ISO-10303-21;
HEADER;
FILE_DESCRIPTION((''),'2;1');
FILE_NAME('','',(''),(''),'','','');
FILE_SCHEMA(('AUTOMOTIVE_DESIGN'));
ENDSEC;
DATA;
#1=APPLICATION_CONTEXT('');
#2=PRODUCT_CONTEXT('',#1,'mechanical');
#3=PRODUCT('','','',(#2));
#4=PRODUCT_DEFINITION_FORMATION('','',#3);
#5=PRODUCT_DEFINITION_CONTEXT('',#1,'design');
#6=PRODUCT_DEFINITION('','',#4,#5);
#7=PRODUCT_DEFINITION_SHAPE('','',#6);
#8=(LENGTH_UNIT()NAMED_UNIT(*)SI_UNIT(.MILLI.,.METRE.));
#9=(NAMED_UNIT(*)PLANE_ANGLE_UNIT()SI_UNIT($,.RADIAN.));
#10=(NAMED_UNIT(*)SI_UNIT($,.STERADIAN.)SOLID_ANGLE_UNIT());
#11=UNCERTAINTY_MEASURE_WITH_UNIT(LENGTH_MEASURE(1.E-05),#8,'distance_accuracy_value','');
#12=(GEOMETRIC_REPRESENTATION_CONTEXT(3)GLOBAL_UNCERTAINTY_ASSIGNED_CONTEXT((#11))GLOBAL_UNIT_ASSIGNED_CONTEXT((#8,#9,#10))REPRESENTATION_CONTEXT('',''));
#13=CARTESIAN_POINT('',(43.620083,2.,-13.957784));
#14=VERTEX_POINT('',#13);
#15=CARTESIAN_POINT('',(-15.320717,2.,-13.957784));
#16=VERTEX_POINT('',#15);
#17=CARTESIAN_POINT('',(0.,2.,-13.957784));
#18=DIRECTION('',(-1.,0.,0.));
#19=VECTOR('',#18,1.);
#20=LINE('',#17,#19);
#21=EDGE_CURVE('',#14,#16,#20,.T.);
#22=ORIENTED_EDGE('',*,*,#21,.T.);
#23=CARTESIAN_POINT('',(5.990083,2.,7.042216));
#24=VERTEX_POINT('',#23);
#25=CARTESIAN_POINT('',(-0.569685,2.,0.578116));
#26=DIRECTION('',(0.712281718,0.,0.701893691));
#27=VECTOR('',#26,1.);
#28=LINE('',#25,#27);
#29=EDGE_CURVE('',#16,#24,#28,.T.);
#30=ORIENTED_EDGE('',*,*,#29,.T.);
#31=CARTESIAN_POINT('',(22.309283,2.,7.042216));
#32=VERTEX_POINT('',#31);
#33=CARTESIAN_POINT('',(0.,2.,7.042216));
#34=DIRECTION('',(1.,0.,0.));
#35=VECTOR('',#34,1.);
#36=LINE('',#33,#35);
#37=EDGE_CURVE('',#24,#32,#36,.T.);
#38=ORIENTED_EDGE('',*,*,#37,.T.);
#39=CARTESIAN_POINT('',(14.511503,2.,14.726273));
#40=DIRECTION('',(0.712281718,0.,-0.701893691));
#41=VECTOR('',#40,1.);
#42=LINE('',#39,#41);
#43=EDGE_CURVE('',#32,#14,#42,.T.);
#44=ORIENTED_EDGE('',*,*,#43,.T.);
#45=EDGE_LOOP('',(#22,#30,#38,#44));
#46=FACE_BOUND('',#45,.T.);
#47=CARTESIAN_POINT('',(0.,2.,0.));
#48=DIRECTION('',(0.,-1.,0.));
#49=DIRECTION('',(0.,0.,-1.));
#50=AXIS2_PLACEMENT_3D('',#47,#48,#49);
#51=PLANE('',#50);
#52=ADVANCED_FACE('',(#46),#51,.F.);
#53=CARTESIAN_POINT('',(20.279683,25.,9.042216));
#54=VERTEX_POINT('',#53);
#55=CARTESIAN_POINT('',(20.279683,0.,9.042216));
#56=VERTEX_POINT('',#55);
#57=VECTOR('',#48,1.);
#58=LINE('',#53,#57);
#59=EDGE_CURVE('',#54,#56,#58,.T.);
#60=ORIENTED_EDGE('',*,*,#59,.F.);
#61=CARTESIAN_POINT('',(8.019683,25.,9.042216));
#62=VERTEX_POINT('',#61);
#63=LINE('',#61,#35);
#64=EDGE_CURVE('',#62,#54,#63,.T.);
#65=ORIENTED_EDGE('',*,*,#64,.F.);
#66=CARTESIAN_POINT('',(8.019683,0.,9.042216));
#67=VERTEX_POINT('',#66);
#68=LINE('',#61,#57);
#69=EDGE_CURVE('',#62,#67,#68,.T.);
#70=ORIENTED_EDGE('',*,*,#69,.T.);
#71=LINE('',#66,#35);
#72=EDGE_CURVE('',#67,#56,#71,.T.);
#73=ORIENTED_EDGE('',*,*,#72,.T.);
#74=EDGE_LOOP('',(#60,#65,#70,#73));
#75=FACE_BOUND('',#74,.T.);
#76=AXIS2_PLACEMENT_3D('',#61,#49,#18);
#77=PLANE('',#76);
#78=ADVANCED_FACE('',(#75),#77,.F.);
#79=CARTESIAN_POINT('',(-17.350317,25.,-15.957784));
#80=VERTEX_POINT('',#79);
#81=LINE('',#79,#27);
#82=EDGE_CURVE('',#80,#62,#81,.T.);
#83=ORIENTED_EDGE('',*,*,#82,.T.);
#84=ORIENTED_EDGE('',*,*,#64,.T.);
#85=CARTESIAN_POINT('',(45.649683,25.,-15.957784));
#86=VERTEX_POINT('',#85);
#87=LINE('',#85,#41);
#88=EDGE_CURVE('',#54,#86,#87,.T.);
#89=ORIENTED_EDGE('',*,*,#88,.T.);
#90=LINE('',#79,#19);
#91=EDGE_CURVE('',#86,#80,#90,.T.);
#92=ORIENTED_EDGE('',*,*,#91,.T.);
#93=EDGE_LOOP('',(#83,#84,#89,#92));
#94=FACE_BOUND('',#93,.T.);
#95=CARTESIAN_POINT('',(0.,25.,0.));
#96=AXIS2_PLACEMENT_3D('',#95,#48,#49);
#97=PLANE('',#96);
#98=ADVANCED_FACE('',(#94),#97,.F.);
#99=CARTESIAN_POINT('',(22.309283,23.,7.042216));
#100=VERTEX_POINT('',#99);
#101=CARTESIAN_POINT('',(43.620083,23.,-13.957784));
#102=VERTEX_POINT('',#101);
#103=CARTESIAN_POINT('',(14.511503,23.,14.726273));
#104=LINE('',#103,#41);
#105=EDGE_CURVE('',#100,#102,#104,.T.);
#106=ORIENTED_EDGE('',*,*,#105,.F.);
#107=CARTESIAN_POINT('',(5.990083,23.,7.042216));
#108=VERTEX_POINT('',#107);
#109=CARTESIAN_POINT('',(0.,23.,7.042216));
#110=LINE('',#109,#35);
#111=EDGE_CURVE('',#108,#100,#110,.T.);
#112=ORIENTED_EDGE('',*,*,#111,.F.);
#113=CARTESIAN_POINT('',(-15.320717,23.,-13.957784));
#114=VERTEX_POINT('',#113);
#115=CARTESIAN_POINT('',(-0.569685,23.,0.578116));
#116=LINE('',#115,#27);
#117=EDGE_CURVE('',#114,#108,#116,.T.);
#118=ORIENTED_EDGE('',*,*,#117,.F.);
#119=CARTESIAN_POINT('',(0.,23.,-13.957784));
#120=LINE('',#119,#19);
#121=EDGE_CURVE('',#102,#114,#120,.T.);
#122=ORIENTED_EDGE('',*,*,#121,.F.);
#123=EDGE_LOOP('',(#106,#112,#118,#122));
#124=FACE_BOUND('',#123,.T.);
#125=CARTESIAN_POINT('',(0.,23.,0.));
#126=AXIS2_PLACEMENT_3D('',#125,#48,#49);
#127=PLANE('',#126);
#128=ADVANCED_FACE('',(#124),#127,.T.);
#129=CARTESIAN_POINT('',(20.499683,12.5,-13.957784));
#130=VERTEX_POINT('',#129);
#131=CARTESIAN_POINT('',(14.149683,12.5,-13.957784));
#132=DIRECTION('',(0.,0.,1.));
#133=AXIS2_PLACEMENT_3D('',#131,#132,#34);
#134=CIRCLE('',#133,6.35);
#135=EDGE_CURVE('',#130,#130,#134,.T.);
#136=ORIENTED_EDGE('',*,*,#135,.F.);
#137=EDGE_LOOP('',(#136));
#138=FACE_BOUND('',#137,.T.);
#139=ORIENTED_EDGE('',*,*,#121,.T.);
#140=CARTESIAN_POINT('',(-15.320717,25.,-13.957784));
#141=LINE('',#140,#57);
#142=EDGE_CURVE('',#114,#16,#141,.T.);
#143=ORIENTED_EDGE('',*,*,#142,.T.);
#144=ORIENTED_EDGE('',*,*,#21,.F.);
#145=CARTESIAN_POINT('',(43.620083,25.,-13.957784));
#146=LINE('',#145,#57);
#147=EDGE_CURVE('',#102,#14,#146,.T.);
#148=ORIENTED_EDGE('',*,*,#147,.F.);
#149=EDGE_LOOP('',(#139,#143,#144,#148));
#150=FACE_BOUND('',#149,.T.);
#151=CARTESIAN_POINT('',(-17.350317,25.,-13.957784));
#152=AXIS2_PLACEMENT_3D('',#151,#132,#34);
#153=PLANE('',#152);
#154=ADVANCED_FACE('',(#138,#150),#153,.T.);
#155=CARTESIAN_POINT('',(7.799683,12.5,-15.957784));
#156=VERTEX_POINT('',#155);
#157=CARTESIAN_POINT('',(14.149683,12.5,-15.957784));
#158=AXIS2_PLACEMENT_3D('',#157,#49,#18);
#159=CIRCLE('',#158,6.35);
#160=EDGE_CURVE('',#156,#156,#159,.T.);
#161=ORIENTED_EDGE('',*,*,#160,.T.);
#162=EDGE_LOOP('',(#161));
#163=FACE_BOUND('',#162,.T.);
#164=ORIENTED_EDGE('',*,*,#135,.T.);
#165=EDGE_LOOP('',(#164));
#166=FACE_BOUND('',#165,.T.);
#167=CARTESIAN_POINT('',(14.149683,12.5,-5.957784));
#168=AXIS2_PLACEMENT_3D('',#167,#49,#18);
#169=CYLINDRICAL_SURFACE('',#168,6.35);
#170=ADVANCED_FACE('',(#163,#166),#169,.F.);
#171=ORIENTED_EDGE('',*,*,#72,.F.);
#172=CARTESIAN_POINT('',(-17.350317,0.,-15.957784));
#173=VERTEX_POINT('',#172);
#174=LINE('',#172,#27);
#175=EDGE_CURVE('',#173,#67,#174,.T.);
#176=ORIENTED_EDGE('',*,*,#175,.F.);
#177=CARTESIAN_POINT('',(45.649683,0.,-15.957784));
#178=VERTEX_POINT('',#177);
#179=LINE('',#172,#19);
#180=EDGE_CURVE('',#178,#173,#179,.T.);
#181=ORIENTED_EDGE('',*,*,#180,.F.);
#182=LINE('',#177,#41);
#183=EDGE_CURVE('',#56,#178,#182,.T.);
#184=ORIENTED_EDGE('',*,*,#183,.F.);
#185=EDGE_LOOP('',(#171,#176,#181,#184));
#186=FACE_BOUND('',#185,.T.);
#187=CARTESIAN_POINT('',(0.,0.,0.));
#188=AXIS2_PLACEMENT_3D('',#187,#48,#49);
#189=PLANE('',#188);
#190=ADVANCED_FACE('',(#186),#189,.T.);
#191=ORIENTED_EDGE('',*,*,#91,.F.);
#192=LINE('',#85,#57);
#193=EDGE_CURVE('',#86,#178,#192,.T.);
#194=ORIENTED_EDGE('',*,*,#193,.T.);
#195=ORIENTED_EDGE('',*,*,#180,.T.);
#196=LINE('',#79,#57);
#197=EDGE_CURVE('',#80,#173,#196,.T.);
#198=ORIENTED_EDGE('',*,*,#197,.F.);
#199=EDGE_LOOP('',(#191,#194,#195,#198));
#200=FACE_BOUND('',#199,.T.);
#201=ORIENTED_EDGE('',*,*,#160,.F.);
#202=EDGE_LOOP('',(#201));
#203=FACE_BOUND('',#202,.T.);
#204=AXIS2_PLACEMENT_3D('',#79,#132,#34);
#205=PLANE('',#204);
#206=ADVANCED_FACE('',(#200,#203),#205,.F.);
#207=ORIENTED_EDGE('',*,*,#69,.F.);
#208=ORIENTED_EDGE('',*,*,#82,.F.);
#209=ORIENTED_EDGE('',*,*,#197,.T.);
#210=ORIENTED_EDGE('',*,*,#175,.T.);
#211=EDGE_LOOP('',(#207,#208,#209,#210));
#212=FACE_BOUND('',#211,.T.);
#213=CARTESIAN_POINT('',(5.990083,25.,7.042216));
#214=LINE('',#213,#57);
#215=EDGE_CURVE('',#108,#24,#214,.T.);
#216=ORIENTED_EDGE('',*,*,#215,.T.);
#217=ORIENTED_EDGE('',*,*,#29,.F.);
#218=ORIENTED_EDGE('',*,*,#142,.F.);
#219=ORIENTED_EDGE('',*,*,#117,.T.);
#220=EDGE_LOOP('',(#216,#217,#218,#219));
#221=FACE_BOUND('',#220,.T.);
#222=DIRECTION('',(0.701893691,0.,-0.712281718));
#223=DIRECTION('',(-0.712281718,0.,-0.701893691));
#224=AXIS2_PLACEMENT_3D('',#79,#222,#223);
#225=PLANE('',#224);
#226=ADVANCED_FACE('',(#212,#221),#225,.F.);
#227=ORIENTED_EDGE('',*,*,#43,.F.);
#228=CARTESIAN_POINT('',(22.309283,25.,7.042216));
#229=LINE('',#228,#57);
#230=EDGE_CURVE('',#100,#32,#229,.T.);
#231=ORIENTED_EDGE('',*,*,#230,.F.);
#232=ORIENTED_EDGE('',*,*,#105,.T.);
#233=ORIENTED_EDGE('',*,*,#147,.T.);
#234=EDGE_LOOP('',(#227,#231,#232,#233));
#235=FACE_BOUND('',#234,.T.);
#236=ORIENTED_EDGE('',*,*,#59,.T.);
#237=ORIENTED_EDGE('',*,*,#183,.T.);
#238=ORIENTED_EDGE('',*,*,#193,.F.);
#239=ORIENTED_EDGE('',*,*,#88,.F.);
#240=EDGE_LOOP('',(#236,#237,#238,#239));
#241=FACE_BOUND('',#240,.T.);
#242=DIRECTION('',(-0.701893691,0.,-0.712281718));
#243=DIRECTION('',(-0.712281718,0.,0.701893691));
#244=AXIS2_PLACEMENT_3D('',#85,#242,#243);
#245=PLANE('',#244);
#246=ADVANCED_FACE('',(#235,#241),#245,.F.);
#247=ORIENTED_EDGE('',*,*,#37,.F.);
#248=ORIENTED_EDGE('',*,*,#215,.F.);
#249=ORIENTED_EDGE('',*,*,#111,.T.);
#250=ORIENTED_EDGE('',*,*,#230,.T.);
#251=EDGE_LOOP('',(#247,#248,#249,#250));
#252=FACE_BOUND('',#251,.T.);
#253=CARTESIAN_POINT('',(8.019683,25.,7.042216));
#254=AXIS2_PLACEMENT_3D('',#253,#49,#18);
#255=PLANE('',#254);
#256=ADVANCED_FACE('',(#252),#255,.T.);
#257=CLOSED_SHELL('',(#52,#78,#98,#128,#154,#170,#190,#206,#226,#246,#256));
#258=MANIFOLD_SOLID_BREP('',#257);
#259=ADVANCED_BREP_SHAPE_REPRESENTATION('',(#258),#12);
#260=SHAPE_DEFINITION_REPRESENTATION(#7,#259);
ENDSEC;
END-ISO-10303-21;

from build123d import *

# Parameters (mm, degrees)
BOSS_EXTRUDE1_DEPTH = 25
SHELL1_T            = -2
SKETCH2_R           = 6.35
CUT_EXTRUDE1_DEPTH  = 10


with BuildPart() as part:
    # Sketch1 → Boss-Extrude1 (new body)
    with BuildSketch(Plane(origin=(0, 0, 0), x_dir=(1, 0, 0), z_dir=(0, 1, 0))):
        Polygon((-17.350316623, 15.957783641), (45.649683377, 15.957783641), (20.279683377, -9.042216359), (8.019683377, -9.042216359), align=None)
    extrude(amount=BOSS_EXTRUDE1_DEPTH)

    # Shell1
    shell1_openings = [part.faces().sort_by_distance(p)[0] for p in [
        (32.964683377, 12.5, -3.457783641),
        (-4.665316623, 12.5, -3.457783641),
    ]]
    offset(amount=SHELL1_T, openings=shell1_openings, kind=Kind.INTERSECTION)

    # Sketch2 → Cut-Extrude1 (cut)
    with BuildSketch(Plane(origin=(0, 0, -15.957783641), x_dir=(-1, 0, 0), z_dir=(0, 0, -1))):
        with Locations((-14.149683377, 12.5)):
            Circle(SKETCH2_R)
    extrude(amount=-CUT_EXTRUDE1_DEPTH, mode=Mode.SUBTRACT)


solid = part.part
